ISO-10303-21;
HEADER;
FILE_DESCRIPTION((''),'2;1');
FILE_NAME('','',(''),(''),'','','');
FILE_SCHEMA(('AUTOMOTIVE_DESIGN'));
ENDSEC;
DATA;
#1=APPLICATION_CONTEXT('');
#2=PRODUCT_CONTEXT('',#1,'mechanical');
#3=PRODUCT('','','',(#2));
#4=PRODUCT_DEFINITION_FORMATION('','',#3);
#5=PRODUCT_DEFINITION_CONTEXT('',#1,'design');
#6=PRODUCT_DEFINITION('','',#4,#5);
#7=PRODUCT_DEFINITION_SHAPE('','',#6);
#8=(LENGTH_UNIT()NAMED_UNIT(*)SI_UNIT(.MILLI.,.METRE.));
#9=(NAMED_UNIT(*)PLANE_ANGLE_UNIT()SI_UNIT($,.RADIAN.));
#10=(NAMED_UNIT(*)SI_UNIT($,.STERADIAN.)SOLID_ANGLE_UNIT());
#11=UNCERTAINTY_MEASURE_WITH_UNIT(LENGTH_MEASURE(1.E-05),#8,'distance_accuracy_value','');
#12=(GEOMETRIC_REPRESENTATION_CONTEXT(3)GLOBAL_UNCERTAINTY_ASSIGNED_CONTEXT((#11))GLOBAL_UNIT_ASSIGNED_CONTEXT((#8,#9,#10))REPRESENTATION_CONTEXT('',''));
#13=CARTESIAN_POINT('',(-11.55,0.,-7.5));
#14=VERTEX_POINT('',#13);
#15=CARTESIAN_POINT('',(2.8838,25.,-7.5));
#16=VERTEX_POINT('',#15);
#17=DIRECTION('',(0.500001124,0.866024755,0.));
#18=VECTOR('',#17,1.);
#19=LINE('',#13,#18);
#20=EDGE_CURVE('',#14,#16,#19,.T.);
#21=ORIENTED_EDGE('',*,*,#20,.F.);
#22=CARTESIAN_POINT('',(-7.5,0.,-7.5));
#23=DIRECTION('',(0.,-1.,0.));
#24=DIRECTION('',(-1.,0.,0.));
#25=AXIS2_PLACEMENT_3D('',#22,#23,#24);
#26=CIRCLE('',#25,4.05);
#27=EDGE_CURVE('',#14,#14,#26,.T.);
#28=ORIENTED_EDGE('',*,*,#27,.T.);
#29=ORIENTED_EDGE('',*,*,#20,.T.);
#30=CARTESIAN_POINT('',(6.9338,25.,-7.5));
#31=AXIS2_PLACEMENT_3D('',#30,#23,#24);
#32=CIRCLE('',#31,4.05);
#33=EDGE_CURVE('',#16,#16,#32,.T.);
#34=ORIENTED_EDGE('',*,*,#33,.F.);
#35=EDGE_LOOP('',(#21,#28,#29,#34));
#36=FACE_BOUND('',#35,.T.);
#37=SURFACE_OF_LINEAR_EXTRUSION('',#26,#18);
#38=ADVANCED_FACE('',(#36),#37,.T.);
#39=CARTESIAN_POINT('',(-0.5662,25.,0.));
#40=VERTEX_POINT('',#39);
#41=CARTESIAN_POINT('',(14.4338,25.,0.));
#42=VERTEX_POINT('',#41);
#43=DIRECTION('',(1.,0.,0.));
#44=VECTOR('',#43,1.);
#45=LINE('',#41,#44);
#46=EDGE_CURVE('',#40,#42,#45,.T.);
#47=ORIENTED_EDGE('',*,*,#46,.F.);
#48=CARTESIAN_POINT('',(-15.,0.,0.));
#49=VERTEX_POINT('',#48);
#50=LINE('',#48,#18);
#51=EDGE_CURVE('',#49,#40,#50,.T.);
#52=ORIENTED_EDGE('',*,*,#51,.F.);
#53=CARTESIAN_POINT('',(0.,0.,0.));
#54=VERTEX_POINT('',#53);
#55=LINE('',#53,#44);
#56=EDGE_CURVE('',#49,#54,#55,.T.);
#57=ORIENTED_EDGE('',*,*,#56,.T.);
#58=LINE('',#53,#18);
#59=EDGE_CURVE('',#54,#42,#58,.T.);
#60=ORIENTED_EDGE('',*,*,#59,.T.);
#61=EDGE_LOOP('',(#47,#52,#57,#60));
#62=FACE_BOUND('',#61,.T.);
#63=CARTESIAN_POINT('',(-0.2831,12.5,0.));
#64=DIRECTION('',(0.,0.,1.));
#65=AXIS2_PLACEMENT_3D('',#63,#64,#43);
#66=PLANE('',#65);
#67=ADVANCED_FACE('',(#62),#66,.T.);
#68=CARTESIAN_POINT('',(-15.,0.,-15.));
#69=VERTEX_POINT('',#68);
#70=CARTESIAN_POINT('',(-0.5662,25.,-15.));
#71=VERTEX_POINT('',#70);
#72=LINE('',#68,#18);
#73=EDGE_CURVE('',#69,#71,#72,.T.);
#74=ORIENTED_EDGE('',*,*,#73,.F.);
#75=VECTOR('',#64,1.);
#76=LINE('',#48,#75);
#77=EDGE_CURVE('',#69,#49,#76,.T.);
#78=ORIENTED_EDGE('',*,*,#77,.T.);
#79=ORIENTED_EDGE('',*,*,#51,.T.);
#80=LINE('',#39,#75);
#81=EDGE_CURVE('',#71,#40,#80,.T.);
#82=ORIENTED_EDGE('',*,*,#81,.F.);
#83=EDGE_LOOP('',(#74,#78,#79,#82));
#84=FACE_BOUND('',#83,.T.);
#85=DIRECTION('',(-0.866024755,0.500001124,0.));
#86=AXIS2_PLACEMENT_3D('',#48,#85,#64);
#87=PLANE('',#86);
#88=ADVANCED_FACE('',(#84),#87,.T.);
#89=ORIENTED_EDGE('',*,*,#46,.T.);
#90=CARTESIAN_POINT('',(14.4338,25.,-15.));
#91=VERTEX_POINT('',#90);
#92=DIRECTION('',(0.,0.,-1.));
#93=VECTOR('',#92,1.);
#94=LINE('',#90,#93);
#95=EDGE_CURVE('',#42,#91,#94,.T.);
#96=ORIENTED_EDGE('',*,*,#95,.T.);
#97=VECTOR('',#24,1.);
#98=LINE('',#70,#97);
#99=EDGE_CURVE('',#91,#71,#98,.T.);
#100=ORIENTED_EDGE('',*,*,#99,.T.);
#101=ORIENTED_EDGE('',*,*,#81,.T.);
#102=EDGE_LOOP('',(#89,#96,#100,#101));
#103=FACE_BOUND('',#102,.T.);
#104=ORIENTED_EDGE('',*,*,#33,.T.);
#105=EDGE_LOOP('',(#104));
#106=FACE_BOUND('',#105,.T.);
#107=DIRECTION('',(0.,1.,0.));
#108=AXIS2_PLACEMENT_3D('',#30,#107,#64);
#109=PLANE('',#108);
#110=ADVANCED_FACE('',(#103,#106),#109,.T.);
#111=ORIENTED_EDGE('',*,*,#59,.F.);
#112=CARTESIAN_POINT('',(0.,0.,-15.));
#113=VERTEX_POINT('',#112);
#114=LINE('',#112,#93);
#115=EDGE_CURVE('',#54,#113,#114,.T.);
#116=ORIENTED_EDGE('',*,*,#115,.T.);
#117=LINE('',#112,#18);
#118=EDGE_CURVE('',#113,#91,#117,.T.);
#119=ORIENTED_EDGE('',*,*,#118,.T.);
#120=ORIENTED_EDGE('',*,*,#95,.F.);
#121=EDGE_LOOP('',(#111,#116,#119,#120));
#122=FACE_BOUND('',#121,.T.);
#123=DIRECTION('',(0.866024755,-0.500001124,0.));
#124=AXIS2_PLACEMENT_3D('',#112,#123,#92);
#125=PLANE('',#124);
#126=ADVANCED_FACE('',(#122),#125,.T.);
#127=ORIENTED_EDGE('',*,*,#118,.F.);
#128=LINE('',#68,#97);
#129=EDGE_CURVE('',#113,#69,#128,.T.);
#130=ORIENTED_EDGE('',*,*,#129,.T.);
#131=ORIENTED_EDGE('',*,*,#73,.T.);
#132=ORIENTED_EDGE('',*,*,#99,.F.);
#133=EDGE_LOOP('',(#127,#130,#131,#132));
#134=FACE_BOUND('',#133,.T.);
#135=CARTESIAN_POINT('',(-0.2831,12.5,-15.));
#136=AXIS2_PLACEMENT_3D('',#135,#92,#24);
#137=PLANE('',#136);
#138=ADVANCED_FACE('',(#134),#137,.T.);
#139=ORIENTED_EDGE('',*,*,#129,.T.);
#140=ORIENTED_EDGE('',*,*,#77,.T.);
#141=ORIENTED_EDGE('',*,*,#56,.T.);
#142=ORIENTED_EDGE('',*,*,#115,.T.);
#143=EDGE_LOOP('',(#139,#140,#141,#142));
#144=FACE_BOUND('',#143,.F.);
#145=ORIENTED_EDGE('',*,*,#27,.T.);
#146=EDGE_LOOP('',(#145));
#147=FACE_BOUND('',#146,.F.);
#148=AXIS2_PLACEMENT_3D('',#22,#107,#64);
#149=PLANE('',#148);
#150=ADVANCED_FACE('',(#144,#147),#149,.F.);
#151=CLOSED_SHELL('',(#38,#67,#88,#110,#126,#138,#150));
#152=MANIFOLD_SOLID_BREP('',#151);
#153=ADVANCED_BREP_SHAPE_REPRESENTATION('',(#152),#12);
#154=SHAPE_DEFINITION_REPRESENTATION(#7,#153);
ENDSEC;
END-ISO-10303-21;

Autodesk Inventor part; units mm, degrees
ref_plane "YZ Plane" through (0, 0, 0) normal (1, 0, 0) x (0, 1, 0)
ref_plane "XZ Plane" through (0, 0, 0) normal (0, 1, 0) x (-1, 0, 0)
ref_plane "XY Plane" through (0, 0, 0) normal (0, 0, 1) x (1, 0, 0)
sketch "Sketch1" plane through (0, 0, 0) normal (0, 1, 0) x (-1, 0, 0)
  line L0 (0, 0) -> (15, 0)
  line L1 (15, 0) -> (15, -15)
  line L2 (15, -15) -> (0, -15)
  line L3 (0, -15) -> (0, 0)
  circle A0 centre (7.5, -7.5) radius 4.05
  dimension "soporte_largo" = 15
  dimension "soporte_ancho" = 15
  dimension "soporte_hueco_diametro" = 8.1
  dimension "soporte_hueco_pos_ancho" = 7.5
  dimension "soporte_hueco_pos_largo" = 7.5
sketch "Sketch2" plane through (0, 0, 0) normal (0, 0, 1) x (1, 0, 0)
  line L0 (0, 0) -> (14.4338, 25)
  line L1 (0, 0) -> (28.8675, 0) construction
  dimension "soporte_inclinacion" = 60
  dimension "soporte_alterura" = 25
sweep "Sweep1" add profiles "Sketch1" path "Sketch2"
equation "\"soporte_hueco_pos_ancho\" = 0.5 * soporte_ancho"
equation "\"soporte_hueco_pos_largo\" = 0.5 * soporte_largo"
equation "\"tol1\" = 0.1"
equation "\"tol2\" = 0.2"
equation "\"tol3\" = 0.3"
equation "\"tol4\" = 0.4"
equation "\"tol5\" = 0.5"
equation "\"tol6\" = 0.6"
equation "\"tol7\" = 0.7"
equation "\"tol8\" = 0.8"
equation "\"tol9\" = 0.9"
equation "\"tol\" = 7"
properties part number "TestSoporte"
